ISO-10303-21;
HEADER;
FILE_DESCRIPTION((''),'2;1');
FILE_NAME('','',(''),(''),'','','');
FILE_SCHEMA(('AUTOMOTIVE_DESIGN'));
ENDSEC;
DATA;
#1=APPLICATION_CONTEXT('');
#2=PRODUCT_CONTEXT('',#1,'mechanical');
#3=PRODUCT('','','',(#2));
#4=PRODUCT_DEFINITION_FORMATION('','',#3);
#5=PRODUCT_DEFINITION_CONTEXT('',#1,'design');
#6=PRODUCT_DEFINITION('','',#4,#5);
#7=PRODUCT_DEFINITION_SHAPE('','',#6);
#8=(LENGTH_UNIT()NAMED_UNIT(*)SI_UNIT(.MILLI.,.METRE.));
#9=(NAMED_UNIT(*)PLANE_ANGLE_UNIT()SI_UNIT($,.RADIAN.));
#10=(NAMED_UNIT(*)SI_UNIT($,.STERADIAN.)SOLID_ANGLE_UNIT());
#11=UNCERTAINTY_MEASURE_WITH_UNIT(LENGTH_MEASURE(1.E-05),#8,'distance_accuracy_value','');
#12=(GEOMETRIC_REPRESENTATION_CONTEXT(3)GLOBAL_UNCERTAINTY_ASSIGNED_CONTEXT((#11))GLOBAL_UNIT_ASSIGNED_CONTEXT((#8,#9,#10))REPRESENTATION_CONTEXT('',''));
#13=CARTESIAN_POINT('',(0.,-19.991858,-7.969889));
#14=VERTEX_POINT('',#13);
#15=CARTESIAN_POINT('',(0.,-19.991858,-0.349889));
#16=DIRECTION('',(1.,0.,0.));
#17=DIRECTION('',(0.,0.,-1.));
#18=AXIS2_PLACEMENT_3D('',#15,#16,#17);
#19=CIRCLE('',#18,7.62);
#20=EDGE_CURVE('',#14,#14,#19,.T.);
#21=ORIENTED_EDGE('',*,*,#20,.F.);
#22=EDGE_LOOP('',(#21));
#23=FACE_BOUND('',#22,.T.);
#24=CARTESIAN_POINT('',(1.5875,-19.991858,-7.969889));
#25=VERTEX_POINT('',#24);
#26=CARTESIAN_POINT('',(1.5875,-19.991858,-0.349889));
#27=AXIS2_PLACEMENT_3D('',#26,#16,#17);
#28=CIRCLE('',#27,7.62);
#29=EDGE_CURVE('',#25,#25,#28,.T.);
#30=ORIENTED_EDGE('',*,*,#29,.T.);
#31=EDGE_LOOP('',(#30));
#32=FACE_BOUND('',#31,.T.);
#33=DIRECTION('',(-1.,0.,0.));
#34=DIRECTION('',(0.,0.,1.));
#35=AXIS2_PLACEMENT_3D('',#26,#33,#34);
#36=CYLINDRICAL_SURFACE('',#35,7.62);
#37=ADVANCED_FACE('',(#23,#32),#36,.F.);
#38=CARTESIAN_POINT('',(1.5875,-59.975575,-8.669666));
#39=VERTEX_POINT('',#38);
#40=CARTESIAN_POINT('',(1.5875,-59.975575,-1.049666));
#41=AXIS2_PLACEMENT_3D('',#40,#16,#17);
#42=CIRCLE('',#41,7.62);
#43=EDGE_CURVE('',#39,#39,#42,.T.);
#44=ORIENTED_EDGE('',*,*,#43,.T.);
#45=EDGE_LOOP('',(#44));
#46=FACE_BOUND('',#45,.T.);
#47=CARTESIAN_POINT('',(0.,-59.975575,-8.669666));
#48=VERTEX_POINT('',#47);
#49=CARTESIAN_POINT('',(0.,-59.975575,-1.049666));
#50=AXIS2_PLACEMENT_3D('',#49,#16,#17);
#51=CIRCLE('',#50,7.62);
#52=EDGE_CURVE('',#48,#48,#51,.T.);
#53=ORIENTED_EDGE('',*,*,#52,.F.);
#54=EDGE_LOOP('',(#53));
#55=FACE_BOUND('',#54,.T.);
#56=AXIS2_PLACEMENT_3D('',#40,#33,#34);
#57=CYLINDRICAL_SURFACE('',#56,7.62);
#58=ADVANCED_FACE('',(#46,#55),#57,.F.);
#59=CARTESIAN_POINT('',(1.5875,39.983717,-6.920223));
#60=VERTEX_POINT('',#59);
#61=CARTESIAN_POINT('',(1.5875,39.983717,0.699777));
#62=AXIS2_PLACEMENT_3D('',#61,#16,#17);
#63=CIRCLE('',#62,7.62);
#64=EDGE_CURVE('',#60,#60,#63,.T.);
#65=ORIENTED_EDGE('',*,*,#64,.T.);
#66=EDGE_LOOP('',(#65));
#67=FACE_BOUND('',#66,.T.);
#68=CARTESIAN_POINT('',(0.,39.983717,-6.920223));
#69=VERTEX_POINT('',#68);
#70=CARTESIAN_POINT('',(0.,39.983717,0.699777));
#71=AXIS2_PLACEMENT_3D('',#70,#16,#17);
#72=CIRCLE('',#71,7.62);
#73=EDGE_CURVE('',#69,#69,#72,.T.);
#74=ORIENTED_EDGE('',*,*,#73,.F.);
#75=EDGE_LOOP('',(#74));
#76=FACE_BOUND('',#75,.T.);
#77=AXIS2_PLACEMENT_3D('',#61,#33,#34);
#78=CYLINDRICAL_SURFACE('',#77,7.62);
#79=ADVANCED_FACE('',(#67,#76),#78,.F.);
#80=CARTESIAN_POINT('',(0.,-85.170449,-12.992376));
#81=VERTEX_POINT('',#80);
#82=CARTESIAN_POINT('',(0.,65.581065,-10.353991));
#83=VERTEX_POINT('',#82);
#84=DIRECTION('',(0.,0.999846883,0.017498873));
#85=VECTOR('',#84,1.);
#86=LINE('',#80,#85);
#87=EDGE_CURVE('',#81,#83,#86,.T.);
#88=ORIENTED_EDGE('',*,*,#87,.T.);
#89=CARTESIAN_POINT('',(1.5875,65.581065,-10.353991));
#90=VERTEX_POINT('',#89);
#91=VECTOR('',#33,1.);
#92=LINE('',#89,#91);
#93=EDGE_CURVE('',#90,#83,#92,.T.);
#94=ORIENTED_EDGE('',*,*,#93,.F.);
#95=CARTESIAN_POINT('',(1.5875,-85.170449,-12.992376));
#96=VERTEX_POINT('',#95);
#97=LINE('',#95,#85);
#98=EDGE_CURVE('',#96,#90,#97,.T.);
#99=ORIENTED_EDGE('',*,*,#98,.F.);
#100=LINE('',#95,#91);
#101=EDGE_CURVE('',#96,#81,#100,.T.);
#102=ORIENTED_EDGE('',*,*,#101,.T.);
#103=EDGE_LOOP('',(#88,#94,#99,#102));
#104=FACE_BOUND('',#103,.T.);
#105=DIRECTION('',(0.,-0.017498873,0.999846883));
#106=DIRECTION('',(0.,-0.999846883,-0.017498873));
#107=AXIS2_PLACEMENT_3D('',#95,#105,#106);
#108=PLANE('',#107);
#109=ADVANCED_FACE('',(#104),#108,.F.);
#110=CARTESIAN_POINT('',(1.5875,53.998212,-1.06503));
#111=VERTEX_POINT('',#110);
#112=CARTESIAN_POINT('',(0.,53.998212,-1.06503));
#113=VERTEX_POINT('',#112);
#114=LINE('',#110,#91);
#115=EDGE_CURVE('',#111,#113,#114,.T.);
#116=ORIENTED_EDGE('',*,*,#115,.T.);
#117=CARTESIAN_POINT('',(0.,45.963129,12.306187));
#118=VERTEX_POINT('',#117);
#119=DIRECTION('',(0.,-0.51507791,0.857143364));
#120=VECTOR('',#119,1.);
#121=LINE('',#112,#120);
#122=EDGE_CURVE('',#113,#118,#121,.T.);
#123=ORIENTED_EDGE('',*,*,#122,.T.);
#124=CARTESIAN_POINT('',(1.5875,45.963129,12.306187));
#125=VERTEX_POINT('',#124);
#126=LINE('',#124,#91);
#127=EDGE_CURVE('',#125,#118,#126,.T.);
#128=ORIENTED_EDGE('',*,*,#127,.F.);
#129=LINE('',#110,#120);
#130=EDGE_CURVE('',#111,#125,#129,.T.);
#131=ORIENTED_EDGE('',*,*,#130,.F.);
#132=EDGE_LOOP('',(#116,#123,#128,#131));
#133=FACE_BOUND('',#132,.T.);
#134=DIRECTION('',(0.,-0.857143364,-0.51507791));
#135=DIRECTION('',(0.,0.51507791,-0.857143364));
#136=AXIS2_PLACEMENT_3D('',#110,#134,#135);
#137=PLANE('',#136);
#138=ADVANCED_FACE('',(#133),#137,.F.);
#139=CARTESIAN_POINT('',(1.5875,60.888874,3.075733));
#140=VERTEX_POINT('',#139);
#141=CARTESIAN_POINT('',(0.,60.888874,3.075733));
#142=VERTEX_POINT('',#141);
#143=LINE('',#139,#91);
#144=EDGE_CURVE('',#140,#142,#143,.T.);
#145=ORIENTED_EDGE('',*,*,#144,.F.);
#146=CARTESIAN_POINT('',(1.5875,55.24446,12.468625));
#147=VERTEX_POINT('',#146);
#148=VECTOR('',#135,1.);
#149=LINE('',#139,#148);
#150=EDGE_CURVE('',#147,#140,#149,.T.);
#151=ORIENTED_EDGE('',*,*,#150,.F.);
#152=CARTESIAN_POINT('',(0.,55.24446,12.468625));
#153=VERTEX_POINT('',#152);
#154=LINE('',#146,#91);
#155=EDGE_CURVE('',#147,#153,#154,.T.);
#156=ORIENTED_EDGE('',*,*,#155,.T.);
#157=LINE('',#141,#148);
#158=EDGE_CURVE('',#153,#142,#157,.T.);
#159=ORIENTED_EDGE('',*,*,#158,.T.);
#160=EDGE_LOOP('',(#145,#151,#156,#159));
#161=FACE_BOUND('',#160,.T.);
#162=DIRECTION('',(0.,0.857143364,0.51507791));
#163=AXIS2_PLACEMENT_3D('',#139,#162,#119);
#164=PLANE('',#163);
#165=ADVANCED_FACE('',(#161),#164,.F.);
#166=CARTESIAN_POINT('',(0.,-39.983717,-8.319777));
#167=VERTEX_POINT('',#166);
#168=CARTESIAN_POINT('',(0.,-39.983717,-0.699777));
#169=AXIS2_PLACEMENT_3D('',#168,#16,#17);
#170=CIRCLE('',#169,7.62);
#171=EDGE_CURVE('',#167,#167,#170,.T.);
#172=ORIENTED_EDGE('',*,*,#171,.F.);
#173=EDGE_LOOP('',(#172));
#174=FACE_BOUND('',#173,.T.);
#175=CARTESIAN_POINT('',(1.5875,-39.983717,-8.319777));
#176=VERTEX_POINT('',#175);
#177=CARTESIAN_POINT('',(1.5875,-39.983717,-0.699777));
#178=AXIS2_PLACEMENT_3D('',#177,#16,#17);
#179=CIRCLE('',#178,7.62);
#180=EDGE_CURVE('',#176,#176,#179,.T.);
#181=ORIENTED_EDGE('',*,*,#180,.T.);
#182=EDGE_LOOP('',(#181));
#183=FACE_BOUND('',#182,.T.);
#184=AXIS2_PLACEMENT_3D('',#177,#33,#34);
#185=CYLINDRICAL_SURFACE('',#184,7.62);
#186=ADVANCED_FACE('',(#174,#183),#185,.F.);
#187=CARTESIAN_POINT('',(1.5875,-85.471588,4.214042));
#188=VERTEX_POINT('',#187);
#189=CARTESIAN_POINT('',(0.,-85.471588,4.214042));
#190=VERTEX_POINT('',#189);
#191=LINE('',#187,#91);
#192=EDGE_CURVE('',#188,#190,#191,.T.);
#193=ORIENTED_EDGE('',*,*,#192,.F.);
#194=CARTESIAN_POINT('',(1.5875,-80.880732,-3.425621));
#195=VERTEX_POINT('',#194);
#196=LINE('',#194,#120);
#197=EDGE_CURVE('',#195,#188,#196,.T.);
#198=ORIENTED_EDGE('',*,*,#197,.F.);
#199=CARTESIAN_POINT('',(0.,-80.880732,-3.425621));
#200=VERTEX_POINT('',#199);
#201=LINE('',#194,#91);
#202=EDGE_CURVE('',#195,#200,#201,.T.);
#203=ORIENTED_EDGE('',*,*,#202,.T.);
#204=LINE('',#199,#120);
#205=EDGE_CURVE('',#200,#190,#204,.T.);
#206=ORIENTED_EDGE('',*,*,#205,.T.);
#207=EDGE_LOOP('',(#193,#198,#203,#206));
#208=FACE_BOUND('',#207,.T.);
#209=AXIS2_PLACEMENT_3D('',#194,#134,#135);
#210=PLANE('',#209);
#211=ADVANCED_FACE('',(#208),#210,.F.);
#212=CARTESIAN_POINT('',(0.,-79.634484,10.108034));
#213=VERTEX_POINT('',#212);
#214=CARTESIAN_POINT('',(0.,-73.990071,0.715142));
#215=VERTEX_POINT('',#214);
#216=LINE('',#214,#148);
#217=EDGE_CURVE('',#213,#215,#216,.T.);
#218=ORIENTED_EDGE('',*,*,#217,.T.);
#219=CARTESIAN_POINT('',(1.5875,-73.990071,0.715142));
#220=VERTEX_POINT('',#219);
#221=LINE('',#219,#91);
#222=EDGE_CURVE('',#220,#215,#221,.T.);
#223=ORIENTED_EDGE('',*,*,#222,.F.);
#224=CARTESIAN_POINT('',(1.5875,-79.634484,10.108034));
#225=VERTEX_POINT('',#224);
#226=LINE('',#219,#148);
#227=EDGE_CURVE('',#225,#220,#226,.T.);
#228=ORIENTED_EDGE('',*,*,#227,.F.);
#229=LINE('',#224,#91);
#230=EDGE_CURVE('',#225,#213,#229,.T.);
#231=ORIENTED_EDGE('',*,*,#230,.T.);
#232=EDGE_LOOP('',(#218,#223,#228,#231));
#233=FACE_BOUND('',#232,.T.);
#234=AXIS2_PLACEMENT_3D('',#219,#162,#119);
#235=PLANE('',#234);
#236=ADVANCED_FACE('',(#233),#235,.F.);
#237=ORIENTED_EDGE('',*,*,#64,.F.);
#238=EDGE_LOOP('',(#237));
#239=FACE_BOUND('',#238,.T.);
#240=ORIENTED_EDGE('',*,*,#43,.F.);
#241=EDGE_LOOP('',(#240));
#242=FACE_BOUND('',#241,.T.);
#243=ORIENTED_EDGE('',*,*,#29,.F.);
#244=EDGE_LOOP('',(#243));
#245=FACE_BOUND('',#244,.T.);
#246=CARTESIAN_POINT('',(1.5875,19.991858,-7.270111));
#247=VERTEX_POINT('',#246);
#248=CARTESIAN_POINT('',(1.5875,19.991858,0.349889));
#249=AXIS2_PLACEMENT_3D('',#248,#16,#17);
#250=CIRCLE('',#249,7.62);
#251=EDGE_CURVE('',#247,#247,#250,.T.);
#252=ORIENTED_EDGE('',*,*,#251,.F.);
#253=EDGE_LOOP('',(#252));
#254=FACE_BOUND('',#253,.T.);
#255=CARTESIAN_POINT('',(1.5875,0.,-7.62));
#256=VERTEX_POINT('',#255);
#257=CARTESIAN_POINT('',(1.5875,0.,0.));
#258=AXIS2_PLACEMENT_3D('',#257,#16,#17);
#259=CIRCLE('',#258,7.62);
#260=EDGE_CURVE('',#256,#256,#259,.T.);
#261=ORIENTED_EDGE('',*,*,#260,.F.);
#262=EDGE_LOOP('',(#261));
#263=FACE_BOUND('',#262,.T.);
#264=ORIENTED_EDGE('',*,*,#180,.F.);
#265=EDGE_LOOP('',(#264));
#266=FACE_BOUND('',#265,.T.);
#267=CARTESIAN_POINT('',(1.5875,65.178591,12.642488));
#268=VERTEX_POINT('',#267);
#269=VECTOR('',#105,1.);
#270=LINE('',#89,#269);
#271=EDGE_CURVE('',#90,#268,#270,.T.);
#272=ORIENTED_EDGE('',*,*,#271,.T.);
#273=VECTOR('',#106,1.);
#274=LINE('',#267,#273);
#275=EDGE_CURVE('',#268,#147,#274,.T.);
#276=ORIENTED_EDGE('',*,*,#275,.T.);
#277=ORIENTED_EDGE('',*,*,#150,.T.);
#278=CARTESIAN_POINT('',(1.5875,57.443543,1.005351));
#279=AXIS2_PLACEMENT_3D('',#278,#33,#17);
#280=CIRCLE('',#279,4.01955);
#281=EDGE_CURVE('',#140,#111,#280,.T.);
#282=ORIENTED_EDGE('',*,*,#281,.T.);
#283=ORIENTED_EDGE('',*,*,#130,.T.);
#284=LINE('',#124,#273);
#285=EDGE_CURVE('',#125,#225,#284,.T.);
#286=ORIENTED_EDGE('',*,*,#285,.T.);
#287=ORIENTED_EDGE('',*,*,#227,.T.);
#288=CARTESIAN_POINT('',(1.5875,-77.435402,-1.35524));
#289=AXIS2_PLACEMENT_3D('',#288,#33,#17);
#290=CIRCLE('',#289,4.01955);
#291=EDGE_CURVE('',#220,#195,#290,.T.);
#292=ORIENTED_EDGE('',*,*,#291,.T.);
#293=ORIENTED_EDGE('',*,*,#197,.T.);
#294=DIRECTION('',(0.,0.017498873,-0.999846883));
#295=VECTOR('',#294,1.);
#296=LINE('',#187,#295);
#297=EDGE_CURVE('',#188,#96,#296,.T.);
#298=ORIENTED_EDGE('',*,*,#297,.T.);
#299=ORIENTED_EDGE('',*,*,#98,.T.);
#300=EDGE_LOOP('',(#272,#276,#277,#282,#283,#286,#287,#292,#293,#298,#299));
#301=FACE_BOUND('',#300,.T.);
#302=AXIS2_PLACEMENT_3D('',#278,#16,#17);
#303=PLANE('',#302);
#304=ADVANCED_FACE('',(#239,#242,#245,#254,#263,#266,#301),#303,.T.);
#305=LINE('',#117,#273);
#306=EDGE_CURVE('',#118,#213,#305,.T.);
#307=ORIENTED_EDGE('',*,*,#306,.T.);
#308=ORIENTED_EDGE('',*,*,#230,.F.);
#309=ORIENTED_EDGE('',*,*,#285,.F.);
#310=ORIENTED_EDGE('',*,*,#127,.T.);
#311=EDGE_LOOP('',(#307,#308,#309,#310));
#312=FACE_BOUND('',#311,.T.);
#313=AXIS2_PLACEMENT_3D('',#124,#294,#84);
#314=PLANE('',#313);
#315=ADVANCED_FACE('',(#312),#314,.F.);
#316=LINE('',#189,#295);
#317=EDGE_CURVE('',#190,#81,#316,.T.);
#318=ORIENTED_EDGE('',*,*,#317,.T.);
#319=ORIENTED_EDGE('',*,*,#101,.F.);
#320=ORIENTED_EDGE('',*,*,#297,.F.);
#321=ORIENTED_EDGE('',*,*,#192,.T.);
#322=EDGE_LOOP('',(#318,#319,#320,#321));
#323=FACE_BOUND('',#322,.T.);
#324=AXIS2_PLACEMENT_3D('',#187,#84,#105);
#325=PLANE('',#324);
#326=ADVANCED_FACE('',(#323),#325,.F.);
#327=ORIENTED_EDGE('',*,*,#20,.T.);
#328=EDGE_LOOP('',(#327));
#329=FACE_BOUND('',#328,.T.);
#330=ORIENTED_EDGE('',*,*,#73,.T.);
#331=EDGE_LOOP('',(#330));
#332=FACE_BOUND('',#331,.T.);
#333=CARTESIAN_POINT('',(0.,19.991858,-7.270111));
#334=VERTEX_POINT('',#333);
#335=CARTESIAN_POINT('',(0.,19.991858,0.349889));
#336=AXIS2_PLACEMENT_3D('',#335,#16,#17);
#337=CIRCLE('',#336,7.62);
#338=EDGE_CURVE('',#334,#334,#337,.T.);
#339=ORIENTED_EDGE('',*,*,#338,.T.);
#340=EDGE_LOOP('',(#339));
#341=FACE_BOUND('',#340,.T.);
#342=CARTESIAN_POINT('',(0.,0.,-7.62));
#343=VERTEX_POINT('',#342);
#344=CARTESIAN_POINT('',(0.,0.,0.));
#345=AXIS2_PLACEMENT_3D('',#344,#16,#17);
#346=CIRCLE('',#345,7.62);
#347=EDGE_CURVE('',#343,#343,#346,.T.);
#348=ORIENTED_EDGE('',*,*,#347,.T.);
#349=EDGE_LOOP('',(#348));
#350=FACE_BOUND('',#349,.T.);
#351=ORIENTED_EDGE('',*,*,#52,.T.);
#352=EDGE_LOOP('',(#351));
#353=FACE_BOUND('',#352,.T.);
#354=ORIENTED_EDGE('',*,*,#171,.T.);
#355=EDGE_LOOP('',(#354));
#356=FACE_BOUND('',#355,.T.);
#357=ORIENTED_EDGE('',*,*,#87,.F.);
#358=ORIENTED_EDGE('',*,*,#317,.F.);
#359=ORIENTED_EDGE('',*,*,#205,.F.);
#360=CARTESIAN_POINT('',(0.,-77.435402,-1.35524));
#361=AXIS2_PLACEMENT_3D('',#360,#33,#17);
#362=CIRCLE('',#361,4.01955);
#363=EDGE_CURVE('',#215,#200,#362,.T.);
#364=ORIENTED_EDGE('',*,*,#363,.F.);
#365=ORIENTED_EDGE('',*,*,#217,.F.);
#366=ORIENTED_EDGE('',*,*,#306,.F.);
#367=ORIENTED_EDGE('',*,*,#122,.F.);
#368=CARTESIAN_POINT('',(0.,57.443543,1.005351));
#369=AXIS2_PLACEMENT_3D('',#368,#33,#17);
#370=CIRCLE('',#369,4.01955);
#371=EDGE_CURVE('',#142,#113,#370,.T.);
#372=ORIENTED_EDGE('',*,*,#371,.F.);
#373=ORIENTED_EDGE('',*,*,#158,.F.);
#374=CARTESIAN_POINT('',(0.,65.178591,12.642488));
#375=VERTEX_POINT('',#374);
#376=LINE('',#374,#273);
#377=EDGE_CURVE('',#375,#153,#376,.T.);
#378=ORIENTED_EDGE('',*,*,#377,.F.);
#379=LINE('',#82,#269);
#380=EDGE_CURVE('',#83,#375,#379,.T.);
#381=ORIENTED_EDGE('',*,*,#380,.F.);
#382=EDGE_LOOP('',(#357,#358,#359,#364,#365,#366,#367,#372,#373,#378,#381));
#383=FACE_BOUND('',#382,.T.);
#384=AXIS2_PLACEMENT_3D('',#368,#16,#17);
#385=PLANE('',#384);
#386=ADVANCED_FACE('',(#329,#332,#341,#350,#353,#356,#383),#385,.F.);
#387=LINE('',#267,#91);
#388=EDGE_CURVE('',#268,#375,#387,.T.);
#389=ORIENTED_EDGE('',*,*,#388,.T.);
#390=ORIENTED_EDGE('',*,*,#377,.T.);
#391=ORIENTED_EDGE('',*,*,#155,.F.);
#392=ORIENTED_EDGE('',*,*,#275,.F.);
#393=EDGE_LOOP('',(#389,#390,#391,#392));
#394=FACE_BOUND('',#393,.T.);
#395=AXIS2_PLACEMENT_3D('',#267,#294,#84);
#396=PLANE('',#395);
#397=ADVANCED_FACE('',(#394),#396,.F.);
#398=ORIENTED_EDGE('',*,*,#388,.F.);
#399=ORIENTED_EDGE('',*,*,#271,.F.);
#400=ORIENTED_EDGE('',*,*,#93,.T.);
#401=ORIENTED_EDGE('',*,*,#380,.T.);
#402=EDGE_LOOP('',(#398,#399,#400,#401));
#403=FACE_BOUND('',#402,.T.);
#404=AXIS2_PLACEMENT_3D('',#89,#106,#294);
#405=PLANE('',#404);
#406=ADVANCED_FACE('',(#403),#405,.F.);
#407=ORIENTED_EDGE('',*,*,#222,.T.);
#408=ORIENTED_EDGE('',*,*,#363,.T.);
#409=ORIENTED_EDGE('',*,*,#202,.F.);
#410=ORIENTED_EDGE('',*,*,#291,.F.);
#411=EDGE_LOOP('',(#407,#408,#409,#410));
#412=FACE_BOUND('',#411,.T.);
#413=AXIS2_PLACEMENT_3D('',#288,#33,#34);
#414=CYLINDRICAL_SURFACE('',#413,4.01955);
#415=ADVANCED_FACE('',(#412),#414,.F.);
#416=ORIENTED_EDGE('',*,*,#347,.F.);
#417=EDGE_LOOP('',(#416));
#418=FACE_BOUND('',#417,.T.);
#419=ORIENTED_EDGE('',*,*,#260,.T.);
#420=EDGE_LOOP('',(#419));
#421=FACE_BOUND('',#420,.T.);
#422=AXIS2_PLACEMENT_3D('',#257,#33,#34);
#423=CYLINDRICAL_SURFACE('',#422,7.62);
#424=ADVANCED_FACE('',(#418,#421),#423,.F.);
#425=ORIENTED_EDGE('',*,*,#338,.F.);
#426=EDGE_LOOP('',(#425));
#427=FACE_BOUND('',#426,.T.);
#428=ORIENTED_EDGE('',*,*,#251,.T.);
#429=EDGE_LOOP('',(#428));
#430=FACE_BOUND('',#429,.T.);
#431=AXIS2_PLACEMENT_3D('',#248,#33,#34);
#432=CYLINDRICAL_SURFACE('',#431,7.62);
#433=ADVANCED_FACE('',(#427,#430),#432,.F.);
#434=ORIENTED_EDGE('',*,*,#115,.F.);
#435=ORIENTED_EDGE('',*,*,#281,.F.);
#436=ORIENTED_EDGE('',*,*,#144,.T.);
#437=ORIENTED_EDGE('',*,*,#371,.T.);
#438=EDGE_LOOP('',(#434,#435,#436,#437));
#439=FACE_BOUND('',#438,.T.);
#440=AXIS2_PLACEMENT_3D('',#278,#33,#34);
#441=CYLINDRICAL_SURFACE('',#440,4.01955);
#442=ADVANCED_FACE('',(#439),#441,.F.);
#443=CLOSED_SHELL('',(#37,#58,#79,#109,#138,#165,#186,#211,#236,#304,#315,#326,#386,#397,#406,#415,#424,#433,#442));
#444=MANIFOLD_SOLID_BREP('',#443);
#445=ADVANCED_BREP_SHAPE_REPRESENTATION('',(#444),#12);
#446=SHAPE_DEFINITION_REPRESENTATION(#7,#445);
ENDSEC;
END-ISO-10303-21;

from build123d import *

# Parameters (mm, degrees)
SKETCH1_R           = 7.62
BOSS_EXTRUDE1_DEPTH = 1.5875


with BuildPart() as part:
    # Sketch1 → Boss-Extrude1 (new body)
    with BuildSketch(Plane(origin=(0, 0, 0), x_dir=(0, 0, -1), z_dir=(1, 0, 0))):
        with BuildLine():
            Line((-12.642487664, 65.178590664), (-12.468624959, 55.244460434))
            Line((-12.468624959, 55.244460434), (-3.075732618, 60.888873679))
            ThreePointArc((-3.075732618, 60.888873679), (2.439979404, 59.513924484), (1.065030209, 53.998212461))
            Line((1.065030209, 53.998212461), (-12.306187241, 45.963128683))
            Line((-12.306187241, 45.963128683), (-10.108033982, -79.634484144))
            Line((-10.108033982, -79.634484144), (-0.715141642, -73.990070899))
            ThreePointArc((-0.715141642, -73.990070899), (4.800570381, -75.365020094), (3.425621185, -80.880732117))
            Line((3.425621185, -80.880732117), (-4.214042055, -85.47158814))
            Line((-4.214042055, -85.47158814), (12.992376231, -85.170449101))
            Line((12.992376231, -85.170449101), (10.353990645, 65.581064744))
            Line((10.353990645, 65.581064744), (-12.642487664, 65.178590664))
        make_face()
        with Locations((-0.699777134, 39.983716876)):
            Circle(SKETCH1_R, mode=Mode.SUBTRACT)
        with Locations((-0.349888567, 19.991858438)):
            Circle(SKETCH1_R, mode=Mode.SUBTRACT)
        Circle(SKETCH1_R, mode=Mode.SUBTRACT)
        with Locations((0.349888567, -19.991858438)):
            Circle(SKETCH1_R, mode=Mode.SUBTRACT)
        with Locations((0.699777134, -39.983716876)):
            Circle(SKETCH1_R, mode=Mode.SUBTRACT)
        with Locations((1.049665701, -59.975575313)):
            Circle(SKETCH1_R, mode=Mode.SUBTRACT)
    extrude(amount=BOSS_EXTRUDE1_DEPTH)


solid = part.part
